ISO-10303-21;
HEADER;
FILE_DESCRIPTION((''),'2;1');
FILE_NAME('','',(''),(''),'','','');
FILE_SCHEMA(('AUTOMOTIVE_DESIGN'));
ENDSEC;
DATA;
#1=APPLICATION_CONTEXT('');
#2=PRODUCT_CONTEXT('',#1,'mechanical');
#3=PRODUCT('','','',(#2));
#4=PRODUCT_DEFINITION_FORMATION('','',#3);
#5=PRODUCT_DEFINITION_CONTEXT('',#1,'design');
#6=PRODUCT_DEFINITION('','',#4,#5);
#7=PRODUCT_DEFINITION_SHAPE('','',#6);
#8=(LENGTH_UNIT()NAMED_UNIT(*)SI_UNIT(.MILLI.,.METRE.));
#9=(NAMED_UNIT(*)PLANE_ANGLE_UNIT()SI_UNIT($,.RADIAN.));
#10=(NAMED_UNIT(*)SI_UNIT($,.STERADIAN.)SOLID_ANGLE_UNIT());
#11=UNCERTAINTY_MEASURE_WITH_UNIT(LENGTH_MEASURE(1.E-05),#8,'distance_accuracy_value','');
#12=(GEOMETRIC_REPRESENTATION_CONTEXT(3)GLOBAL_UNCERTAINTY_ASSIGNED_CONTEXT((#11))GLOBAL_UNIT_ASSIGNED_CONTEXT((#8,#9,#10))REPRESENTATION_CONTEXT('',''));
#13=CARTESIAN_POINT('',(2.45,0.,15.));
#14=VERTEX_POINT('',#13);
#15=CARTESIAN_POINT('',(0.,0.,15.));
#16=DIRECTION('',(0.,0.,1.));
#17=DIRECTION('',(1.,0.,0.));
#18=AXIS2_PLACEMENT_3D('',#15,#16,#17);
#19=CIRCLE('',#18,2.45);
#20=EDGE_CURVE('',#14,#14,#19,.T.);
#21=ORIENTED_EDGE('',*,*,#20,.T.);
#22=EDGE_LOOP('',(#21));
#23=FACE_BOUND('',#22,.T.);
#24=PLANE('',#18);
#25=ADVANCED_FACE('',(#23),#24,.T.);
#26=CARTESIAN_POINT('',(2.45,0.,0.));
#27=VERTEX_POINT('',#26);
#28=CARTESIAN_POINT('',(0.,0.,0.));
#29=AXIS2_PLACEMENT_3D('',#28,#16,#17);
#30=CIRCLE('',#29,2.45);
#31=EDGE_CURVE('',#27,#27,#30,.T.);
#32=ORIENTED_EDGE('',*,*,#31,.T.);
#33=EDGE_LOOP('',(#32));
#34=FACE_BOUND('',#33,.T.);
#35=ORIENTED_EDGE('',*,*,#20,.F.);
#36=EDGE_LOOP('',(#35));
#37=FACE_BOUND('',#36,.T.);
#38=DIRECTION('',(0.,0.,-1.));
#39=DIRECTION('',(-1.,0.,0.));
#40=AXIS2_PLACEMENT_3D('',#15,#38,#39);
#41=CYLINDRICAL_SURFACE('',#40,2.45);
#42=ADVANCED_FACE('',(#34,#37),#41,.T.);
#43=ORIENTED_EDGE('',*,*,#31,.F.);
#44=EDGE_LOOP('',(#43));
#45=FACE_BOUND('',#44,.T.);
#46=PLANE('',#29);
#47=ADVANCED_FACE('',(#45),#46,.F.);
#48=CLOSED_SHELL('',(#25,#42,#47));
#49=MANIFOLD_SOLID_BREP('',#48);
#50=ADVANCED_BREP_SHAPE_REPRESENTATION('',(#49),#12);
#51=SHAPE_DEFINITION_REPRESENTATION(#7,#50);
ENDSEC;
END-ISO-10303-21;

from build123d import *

# Parameters (mm, degrees)
SZKIC1_R                    = 2.45
DODANIE_WYCI_GNI_CIE1_DEPTH = 15


with BuildPart() as part:
    # Szkic1 → Dodanie-wyciągnięcie1 (new body)
    with BuildSketch(Plane.XY):
        Circle(SZKIC1_R)
    extrude(amount=DODANIE_WYCI_GNI_CIE1_DEPTH)


solid = part.part
